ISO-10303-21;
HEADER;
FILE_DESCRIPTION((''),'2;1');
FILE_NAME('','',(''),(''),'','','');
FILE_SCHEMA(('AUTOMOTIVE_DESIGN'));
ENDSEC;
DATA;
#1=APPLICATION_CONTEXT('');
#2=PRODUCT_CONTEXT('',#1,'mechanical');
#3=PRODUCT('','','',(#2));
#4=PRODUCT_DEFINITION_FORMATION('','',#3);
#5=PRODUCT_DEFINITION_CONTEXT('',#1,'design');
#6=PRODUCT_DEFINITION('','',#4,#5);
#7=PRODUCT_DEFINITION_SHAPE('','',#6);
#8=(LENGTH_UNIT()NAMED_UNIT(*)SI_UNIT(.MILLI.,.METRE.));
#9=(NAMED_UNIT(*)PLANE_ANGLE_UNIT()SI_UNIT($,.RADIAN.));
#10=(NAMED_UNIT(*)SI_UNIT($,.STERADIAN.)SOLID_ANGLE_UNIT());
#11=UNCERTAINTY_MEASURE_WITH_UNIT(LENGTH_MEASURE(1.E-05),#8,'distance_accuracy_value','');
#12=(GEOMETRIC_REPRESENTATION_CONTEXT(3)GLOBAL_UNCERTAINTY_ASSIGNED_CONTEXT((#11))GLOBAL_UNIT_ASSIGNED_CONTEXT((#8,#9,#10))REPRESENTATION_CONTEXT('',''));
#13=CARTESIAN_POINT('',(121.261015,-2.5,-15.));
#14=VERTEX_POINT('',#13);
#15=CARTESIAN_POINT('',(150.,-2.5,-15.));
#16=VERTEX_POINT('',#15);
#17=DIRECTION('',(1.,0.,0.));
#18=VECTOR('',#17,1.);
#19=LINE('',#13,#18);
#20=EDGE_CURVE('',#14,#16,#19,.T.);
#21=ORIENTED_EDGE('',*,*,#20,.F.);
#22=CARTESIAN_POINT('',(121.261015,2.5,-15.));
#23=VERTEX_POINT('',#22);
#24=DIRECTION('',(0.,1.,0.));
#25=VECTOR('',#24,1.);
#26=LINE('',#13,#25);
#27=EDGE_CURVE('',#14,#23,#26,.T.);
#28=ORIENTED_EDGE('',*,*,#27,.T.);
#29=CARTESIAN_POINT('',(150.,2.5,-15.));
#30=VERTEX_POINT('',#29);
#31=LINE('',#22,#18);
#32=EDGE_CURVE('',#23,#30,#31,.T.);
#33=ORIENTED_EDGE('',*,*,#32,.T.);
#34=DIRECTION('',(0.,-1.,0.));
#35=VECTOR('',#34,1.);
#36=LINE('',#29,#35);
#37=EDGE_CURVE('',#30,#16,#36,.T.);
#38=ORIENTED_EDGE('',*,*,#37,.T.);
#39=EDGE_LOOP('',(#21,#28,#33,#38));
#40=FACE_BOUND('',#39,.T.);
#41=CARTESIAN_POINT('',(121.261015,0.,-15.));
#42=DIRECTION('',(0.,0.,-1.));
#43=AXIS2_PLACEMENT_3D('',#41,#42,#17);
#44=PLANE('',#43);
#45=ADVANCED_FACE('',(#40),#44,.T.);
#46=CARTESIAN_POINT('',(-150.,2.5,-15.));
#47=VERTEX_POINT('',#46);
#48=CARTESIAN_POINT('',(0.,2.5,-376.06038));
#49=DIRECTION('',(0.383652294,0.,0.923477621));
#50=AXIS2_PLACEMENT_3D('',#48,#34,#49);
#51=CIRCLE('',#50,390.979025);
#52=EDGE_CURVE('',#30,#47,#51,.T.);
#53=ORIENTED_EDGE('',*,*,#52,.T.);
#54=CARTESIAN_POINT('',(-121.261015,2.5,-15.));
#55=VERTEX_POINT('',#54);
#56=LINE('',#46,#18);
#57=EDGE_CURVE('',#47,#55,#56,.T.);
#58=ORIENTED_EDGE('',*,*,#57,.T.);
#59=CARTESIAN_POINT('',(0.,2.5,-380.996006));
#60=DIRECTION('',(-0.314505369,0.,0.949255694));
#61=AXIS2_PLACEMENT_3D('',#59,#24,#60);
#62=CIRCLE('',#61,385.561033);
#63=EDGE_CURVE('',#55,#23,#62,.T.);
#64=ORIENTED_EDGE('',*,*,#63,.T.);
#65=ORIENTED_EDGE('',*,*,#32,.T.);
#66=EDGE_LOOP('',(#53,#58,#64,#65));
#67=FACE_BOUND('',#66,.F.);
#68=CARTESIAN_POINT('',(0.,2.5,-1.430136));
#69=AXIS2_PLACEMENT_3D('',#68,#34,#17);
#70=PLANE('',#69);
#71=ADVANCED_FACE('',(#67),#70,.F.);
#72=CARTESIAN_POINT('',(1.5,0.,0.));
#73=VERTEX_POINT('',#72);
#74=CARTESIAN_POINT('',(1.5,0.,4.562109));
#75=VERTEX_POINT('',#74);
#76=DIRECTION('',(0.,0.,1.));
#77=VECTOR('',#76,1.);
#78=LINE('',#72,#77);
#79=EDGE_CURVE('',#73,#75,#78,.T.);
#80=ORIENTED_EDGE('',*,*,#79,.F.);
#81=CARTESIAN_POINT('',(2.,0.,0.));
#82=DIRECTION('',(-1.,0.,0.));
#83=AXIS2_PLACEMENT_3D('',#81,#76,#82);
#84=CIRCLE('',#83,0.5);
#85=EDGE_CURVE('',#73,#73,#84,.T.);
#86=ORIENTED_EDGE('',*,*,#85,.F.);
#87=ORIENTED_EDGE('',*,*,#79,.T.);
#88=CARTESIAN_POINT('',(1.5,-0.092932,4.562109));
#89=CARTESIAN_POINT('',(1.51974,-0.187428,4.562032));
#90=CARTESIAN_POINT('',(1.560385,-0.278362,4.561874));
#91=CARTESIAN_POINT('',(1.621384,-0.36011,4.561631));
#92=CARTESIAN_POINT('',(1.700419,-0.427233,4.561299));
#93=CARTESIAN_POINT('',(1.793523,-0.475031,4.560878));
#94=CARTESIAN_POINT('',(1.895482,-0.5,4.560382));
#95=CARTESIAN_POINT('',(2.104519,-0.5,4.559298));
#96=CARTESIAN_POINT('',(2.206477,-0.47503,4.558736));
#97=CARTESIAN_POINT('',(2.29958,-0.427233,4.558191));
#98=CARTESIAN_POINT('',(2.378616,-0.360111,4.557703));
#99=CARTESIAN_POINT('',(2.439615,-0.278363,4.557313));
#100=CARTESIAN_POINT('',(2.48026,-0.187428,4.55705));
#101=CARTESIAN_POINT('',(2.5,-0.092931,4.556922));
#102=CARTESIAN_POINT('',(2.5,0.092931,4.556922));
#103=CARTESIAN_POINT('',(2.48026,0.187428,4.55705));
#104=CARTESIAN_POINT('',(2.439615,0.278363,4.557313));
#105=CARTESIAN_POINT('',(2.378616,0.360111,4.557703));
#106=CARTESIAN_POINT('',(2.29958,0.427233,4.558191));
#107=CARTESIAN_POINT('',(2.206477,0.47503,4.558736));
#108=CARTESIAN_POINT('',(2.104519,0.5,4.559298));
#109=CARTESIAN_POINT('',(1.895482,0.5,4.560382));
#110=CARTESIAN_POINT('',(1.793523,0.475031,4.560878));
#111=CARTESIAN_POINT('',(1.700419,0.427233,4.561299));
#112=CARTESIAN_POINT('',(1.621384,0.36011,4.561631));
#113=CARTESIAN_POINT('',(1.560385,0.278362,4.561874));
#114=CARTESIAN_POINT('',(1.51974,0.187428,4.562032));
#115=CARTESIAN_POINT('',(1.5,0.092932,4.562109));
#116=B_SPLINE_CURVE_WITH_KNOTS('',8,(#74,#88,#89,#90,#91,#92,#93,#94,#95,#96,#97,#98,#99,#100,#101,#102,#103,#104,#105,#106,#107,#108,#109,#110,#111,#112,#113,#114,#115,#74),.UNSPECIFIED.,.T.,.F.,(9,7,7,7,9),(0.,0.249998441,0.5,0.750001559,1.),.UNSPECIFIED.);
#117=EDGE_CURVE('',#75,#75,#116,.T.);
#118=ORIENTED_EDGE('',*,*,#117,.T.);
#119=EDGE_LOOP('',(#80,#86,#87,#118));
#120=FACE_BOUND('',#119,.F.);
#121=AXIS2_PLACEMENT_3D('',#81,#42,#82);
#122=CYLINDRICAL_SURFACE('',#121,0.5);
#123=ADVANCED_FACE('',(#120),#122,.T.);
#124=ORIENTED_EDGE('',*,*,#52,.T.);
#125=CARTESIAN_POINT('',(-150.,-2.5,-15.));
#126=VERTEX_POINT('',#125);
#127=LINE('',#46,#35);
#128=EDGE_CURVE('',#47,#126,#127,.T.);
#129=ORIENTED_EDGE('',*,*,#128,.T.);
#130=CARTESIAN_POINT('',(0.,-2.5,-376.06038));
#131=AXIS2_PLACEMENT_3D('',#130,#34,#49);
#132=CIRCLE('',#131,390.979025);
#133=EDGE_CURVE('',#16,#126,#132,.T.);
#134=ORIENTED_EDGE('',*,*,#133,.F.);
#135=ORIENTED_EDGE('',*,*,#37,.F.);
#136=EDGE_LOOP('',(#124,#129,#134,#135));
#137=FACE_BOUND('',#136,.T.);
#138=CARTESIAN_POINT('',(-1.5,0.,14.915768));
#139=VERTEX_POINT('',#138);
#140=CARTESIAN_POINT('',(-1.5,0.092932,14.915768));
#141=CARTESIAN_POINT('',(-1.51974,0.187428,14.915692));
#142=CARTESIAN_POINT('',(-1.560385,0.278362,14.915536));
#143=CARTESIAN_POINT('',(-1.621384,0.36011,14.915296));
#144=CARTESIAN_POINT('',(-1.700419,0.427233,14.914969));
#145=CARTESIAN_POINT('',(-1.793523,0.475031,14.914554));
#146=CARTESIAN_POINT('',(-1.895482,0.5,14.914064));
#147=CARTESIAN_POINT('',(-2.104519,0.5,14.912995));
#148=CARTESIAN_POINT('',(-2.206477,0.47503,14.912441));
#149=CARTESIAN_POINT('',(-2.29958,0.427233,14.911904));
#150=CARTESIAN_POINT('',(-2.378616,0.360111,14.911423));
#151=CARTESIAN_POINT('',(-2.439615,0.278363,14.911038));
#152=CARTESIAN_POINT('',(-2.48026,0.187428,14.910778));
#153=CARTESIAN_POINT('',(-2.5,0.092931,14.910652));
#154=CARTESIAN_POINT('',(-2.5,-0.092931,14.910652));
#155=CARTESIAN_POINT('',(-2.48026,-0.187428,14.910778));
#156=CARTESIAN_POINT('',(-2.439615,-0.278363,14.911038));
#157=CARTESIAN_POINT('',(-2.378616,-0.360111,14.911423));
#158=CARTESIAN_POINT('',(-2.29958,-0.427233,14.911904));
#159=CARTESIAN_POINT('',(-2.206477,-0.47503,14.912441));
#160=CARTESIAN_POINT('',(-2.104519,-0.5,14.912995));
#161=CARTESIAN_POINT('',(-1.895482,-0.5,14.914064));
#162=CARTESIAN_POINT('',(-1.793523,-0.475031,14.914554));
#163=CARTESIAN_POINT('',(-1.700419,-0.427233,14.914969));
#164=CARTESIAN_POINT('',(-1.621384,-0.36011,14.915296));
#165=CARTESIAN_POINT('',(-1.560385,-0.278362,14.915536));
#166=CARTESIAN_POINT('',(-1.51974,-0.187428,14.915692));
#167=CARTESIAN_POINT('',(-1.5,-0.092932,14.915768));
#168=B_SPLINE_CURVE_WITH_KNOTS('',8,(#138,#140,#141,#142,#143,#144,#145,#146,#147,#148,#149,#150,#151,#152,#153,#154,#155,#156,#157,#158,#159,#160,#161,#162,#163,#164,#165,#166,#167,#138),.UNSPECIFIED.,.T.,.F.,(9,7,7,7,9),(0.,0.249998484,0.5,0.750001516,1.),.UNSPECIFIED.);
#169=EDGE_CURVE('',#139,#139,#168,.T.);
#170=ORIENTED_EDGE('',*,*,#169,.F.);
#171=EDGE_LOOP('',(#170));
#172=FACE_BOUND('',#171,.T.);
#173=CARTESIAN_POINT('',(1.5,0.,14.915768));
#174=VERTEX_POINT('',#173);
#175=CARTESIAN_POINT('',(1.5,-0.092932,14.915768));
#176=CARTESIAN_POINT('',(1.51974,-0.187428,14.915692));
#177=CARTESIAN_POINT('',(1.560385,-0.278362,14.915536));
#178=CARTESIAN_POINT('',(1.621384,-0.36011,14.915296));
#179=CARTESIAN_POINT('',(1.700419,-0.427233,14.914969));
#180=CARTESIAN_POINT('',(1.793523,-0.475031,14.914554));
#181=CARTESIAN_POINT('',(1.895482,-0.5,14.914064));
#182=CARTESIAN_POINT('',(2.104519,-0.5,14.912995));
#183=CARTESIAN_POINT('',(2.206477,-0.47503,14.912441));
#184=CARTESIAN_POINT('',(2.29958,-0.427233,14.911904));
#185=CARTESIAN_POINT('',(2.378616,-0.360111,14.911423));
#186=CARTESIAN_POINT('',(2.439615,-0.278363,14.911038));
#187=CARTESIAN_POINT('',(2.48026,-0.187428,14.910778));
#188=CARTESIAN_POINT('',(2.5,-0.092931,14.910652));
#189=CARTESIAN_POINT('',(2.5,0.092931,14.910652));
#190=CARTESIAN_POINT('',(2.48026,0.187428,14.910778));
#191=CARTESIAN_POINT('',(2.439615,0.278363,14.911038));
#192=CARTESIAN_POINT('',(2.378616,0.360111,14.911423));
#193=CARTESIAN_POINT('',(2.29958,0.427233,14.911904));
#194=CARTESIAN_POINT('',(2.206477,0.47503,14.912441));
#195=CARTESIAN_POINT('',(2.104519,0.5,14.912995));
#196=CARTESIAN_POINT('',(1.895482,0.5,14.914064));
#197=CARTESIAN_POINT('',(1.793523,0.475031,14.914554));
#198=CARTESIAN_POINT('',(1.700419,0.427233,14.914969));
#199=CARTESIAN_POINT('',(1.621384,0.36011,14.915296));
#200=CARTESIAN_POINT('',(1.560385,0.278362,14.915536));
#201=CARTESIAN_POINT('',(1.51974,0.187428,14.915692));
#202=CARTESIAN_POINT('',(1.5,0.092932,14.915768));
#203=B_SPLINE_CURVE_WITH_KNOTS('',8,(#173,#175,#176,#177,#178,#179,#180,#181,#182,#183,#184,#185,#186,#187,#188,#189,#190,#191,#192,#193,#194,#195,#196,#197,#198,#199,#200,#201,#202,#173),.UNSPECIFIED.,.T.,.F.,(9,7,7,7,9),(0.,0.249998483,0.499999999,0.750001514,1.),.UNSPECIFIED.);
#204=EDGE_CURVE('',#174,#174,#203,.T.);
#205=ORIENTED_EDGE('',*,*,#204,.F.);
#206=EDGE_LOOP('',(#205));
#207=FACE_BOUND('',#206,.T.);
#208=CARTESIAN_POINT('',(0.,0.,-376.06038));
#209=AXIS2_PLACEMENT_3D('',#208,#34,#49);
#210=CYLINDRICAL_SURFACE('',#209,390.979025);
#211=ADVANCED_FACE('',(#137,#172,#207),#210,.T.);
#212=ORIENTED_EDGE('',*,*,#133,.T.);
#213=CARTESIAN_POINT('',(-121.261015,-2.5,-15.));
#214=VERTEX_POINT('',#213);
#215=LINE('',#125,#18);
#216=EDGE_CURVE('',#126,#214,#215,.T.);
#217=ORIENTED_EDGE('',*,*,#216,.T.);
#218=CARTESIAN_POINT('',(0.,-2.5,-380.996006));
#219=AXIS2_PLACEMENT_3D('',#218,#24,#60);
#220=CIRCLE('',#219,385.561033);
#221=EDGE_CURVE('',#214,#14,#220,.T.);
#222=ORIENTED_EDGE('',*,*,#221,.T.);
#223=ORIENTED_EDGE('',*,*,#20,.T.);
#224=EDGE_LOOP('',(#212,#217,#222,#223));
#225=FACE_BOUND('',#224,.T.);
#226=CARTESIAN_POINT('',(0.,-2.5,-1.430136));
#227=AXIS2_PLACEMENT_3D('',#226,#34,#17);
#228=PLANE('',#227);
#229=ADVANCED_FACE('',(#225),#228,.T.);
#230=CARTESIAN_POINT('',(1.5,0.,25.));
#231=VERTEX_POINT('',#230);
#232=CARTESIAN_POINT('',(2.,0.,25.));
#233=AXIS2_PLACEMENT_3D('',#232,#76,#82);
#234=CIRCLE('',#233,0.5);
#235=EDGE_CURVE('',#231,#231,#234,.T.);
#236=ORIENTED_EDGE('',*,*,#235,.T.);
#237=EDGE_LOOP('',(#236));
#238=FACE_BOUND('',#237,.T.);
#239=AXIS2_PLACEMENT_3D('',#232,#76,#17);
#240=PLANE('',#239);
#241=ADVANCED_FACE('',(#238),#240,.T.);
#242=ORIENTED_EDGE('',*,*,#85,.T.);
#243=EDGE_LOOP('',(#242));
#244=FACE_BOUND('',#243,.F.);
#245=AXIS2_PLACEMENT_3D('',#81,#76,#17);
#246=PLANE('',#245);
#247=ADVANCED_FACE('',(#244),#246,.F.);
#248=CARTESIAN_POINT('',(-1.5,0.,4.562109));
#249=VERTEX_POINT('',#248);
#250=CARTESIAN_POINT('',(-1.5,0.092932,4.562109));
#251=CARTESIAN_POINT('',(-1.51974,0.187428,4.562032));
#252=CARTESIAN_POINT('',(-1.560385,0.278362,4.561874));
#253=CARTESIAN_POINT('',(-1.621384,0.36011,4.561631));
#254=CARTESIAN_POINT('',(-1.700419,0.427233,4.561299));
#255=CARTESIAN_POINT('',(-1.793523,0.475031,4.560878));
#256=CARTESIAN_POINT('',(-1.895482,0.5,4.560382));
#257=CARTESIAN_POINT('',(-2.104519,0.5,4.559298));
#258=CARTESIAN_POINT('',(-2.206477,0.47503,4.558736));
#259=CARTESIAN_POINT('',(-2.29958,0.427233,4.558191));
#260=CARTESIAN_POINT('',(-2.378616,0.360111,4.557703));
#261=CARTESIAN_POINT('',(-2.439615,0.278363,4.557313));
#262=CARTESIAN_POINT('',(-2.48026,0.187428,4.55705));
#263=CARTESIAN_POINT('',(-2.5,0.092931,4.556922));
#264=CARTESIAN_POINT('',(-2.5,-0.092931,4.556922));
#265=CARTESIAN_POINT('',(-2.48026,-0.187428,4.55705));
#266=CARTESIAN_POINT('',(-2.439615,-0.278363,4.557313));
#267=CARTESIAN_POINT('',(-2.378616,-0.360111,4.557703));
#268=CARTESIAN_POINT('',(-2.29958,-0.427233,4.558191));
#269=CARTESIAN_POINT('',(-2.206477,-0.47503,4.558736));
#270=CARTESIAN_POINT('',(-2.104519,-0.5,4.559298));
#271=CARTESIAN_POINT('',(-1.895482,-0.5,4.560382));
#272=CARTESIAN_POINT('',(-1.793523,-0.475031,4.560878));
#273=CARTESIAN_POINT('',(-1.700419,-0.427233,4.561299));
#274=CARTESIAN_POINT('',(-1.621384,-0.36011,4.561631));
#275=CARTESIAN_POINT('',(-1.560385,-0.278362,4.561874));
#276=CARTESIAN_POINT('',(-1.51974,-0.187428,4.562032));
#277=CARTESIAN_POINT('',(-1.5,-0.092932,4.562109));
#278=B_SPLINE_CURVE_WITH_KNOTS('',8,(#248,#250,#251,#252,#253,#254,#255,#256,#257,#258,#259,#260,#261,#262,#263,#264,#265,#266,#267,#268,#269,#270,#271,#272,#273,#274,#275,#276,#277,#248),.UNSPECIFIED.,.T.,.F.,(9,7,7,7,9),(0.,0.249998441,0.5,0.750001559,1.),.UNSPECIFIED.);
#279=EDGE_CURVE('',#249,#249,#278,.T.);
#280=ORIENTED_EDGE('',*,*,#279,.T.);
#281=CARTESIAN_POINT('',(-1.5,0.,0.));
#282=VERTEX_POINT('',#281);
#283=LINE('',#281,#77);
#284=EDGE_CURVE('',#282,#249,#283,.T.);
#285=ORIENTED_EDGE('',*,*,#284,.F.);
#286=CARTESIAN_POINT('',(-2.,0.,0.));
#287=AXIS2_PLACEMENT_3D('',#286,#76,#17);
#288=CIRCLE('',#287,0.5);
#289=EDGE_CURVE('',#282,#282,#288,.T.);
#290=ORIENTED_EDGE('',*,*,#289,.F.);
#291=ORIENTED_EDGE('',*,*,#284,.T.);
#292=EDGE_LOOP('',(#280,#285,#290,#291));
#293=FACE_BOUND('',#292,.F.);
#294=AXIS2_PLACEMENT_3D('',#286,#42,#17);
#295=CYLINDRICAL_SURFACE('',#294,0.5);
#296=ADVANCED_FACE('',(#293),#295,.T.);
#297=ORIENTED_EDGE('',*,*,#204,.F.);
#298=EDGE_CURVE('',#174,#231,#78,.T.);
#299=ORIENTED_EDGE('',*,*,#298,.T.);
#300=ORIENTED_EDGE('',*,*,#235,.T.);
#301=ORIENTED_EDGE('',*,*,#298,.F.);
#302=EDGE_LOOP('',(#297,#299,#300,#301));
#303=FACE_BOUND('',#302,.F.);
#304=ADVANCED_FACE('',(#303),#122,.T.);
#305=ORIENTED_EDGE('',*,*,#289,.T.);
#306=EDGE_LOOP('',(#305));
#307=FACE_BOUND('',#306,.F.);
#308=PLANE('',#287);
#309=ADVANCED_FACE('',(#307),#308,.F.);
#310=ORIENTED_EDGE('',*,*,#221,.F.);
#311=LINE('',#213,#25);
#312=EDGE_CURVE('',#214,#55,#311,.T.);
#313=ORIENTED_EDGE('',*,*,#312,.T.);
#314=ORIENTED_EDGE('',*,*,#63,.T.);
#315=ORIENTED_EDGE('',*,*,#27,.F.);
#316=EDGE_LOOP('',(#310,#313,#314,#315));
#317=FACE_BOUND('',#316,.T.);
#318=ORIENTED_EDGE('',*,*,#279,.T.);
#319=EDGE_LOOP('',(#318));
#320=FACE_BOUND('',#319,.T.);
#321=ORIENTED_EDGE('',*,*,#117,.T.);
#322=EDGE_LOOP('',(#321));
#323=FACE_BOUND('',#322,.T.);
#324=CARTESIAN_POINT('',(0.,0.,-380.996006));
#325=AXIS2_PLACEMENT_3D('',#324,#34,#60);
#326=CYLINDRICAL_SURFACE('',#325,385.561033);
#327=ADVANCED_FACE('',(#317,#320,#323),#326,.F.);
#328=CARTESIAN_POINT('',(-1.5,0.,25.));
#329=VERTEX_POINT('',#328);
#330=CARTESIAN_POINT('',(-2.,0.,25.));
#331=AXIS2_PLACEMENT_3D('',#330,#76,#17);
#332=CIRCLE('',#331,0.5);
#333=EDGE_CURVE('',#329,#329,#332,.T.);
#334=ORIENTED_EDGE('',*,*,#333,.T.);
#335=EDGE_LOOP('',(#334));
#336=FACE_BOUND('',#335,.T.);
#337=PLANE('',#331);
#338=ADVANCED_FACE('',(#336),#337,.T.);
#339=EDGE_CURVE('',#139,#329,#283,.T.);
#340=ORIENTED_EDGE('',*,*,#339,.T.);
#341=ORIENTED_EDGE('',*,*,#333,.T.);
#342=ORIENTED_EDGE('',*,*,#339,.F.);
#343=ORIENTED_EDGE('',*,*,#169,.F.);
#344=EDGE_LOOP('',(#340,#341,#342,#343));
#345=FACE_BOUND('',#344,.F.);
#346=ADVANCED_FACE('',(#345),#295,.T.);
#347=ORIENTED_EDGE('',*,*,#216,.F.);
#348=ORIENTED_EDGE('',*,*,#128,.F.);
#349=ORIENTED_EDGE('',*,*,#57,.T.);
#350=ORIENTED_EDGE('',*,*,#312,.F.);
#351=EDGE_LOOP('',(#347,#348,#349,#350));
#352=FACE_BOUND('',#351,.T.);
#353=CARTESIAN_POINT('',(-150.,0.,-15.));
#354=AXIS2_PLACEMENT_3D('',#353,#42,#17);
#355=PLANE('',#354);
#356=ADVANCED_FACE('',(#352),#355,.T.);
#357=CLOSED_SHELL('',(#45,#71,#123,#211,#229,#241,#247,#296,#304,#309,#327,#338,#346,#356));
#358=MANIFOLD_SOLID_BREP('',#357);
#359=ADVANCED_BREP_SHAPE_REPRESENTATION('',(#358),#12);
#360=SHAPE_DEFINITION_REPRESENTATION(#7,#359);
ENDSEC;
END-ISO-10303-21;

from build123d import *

# Parameters (mm, degrees)
F1_DEPTH = 2.5
F2_R     = 0.5
F3_DEPTH = 25


with BuildPart() as f1:
    # F0 (on Front) → F1 (new body, symmetric)
    with BuildSketch(Plane.XZ):
        with BuildLine():
            Line((121.261015, -15), (150, -15))
            ThreePointArc((150, -15), (0, 14.918645), (-150, -15))
            Line((-150, -15), (-121.261015, -15))
            ThreePointArc((-121.261015, -15), (0, 4.565027), (121.261015, -15))
        make_face()
    extrude(amount=F1_DEPTH, both=True)

    # F2 (on Top) → F3 (join)
    with BuildSketch(Plane.XY):
        with Locations((-2, 0)):
            Circle(F2_R)
        with BuildLine():
            ThreePointArc((2.5, 0), (2, 0.5), (1.5, 0))
            ThreePointArc((1.5, 0), (2, -0.5), (2.5, 0))
        make_face()
    extrude(amount=F3_DEPTH)


solid = f1.part
